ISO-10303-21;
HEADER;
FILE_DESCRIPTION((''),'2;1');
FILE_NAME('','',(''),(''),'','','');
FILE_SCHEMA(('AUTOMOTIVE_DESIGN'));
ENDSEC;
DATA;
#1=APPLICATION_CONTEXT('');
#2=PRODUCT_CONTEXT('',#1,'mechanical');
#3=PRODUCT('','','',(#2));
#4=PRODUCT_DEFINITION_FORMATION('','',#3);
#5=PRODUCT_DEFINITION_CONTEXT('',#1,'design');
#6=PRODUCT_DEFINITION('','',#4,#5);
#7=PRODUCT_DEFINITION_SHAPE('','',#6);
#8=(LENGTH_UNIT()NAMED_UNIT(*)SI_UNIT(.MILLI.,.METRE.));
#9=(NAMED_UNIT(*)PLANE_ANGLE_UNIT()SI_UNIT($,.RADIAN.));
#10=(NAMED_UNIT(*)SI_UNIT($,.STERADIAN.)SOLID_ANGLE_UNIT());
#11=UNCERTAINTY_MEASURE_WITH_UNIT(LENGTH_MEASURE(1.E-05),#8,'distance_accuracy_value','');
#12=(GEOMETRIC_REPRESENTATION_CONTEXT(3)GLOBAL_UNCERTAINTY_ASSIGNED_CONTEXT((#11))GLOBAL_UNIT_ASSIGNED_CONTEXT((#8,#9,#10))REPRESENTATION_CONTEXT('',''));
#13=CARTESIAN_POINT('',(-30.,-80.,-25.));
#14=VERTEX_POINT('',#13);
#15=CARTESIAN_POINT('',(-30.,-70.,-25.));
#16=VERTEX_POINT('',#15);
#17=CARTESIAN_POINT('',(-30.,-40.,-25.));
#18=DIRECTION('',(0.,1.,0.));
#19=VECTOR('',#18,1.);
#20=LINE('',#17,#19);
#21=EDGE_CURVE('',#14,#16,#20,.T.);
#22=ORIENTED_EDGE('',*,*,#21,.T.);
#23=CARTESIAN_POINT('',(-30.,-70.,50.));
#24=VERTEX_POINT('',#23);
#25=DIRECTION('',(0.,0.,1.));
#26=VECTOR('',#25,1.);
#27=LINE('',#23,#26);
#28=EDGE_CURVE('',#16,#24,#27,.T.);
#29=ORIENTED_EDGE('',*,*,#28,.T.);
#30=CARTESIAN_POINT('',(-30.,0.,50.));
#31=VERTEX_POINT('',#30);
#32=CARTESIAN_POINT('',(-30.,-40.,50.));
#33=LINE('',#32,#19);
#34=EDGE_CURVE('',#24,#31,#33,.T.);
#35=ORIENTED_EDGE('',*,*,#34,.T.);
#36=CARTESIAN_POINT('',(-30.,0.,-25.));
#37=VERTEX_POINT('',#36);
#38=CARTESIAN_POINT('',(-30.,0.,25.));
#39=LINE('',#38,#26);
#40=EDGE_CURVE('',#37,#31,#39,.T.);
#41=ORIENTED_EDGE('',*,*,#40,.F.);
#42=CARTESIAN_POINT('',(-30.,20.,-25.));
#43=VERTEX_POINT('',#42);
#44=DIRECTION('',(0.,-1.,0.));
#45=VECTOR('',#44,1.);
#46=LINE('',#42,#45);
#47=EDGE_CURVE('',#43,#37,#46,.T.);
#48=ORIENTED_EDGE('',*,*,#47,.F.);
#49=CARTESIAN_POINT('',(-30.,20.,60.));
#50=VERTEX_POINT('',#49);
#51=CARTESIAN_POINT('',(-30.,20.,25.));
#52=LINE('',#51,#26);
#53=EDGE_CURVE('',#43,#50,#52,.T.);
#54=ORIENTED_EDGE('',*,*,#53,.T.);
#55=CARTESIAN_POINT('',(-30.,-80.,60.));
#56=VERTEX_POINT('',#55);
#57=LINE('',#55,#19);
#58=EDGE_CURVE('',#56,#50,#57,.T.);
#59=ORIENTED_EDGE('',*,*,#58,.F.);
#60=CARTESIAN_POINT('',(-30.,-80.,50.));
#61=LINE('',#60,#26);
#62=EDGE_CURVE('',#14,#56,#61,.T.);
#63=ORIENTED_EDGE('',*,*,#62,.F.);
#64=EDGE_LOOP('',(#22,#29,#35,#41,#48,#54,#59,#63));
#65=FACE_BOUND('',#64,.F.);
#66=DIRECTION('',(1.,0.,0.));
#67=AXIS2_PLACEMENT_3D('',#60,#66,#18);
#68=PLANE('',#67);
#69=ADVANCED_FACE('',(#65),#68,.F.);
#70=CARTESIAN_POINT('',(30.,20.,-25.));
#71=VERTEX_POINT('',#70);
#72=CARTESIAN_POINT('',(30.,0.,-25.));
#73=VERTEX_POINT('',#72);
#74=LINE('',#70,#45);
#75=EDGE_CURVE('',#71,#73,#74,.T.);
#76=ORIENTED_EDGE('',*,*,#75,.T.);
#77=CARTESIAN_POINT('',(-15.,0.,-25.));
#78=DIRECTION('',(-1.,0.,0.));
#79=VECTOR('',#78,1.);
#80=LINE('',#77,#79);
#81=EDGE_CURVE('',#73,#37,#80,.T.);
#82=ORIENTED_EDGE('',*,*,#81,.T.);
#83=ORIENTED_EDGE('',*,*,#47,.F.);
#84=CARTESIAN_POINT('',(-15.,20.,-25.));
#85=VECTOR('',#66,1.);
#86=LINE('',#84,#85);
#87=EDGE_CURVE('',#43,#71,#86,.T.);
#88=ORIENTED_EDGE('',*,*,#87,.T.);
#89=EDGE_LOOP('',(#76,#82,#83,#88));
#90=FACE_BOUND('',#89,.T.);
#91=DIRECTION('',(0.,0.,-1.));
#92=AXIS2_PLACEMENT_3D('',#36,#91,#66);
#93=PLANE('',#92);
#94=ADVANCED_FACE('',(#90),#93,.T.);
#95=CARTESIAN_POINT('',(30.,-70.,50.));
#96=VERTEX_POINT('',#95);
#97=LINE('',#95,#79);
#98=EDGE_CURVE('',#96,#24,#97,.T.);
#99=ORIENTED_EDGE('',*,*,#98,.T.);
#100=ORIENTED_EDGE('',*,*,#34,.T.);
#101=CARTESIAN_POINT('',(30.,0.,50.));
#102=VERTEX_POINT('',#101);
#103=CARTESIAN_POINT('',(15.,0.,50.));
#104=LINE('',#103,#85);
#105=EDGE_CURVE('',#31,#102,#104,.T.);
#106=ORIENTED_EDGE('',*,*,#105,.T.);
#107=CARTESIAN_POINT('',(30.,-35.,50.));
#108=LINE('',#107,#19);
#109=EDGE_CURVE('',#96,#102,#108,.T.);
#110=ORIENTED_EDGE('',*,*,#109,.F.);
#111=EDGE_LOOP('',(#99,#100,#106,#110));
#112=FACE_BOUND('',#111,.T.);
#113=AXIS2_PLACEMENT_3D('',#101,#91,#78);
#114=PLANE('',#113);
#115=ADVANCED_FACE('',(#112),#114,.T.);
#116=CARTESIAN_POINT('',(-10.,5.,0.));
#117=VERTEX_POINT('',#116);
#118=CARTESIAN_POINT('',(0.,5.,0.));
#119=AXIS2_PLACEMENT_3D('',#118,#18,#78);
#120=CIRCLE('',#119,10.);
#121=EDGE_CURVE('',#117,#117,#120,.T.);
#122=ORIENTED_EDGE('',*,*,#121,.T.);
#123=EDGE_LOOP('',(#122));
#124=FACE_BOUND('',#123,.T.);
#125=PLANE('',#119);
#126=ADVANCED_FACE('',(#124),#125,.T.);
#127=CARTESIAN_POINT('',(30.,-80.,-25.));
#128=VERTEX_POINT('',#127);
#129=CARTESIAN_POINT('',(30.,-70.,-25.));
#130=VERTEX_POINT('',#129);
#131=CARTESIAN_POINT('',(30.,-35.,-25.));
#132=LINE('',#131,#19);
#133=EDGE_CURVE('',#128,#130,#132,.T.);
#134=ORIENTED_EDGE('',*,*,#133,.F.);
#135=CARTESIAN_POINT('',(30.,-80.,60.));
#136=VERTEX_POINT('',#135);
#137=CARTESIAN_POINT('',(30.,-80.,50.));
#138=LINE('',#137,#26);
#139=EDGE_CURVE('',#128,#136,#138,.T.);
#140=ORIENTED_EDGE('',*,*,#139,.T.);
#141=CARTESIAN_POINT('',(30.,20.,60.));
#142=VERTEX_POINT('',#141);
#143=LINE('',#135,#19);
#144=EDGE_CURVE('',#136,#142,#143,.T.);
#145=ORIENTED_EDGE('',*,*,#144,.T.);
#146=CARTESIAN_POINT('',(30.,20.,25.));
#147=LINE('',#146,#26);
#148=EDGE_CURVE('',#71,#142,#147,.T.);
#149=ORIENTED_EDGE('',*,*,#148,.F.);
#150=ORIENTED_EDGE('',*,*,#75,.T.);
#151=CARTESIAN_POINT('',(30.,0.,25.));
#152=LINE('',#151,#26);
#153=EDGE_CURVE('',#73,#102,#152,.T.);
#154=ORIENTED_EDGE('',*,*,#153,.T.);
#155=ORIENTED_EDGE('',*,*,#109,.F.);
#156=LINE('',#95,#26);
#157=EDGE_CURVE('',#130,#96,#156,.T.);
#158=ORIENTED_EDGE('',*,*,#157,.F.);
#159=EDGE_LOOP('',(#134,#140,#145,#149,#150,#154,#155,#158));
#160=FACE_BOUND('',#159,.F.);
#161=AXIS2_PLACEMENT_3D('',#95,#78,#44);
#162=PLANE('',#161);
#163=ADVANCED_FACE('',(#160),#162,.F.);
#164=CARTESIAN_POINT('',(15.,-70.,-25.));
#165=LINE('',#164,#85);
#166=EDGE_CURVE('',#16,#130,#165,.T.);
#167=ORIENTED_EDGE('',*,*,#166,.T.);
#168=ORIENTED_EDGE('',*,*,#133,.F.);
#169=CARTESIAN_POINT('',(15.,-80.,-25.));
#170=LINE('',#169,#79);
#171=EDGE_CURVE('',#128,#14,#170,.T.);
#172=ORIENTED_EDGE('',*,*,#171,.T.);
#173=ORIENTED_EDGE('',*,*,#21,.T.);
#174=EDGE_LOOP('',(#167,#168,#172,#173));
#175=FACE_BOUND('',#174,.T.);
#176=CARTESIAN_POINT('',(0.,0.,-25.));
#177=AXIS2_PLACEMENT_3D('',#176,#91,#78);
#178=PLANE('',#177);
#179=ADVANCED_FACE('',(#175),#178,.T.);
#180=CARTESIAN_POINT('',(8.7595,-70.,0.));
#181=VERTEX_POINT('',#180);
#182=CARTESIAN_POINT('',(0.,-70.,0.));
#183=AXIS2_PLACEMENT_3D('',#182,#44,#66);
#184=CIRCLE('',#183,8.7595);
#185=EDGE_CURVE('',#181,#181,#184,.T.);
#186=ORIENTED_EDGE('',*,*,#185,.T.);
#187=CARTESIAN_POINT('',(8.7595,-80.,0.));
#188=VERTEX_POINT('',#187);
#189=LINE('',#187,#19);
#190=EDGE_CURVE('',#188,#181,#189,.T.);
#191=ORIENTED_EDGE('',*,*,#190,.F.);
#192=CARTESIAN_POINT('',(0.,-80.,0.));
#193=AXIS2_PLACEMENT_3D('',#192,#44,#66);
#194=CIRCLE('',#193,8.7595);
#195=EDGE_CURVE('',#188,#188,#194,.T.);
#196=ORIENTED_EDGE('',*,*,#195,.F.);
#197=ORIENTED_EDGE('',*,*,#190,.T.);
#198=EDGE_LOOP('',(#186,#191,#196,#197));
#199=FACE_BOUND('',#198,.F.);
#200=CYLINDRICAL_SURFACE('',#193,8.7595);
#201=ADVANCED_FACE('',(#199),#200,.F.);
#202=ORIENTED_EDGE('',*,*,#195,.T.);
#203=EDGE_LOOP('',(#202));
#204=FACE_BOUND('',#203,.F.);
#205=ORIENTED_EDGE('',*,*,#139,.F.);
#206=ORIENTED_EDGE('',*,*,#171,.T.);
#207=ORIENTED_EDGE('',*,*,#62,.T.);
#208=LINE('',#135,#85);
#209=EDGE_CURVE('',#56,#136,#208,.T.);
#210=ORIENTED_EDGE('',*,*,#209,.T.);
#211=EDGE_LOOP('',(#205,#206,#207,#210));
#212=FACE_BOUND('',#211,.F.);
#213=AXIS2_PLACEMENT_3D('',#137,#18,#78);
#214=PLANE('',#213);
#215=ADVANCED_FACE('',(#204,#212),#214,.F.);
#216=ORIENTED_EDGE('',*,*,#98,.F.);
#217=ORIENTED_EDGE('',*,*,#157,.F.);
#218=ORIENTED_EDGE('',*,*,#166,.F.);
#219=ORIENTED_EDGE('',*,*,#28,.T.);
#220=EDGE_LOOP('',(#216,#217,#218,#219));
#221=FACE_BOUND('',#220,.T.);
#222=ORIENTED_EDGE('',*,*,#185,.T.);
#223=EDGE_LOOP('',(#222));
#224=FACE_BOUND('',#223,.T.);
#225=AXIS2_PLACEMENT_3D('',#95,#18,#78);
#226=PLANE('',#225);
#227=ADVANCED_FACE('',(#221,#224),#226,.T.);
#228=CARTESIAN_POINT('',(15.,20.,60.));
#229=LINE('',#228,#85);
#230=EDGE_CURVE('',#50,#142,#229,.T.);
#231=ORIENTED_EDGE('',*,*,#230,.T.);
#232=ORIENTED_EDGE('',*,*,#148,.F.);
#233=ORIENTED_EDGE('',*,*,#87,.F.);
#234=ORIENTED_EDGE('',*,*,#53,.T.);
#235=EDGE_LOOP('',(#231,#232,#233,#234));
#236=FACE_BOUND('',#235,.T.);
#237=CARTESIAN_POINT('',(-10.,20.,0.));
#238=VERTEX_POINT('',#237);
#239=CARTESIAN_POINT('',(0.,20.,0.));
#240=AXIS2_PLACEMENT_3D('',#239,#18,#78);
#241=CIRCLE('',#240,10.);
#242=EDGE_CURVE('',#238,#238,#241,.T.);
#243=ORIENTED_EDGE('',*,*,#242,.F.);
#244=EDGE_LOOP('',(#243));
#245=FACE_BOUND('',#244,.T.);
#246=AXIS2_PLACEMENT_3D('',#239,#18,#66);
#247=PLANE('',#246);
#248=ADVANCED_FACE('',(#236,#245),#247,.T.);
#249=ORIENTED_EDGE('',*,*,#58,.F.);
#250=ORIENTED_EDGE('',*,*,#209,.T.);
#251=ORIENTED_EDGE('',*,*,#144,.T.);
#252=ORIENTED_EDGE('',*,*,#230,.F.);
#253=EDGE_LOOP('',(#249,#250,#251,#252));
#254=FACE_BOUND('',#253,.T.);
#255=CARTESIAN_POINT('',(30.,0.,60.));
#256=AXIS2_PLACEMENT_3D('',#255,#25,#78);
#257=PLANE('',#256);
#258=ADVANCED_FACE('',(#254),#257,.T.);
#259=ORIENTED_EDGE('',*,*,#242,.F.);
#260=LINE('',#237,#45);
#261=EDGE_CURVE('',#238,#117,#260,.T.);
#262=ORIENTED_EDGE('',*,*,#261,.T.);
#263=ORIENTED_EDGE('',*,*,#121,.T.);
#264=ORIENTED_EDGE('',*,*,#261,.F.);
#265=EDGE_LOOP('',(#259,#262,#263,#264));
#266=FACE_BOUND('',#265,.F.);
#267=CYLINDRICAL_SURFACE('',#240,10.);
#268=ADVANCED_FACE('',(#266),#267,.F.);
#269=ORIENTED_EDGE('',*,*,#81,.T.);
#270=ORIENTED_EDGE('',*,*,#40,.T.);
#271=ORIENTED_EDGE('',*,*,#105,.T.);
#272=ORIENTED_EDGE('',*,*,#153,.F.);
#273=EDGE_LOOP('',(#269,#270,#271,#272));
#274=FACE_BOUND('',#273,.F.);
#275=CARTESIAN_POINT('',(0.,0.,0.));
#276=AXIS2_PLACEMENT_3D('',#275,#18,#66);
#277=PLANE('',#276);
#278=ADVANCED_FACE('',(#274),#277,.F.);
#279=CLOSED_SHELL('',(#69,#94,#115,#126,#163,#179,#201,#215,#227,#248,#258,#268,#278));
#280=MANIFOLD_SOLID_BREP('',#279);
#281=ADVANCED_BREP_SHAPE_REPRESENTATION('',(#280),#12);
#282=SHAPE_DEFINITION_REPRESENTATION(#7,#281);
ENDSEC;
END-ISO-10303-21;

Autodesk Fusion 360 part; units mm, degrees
sketch "草图1" plane through (0, 0, 0) normal (0, 1, 0) x (1, 0, 0) in component "Component"
  line L0 (-30, 25) -> (30, 25)
  line L1 (30, 25) -> (30, -60)
  line L2 (30, -60) -> (-30, -60)
  line L3 (-30, -60) -> (-30, 25)
  dimension "d1" = 60
  dimension "d2" = 85
  dimension "d3" = 25
  dimension "d4" = 30
extrude "拉伸1" add sketch "草图1" along normal blind 10 in component "Component"
sketch "草图2" plane through (0, 0, 0) normal (0, -1, 0) x (1, 0, 0) in component "Component"
  line L0 (30, 60) -> (-30, 60)
  line L1 (-30, 60) -> (-30, -25)
  line L2 (-30, -25) -> (30, -25)
  line L3 (30, -25) -> (30, 60)
  line L4 (-30, 60) -> (30, 60)
  line L5 (30, 60) -> (30, 50)
  line L6 (30, 50) -> (-30, 50)
  line L7 (-30, 50) -> (-30, 60)
  dimension "d8" = 10
extrude "拉伸2" add sketch "草图2" along normal blind 80 contours L0 L1 L3 L4 L5 L6 L7 in component "Component"
sketch "草图3" plane through (0, 0, 50) normal (0, 0, -1) x (-1, 0, 0) in component "Component"
  line L0 (30, 0) -> (-30, 0)
  line L1 (-30, 0) -> (-30, -80)
  line L2 (-30, -80) -> (30, -80)
  line L3 (30, -80) -> (30, 0)
  line L4 (-30, -70) -> (30, -70)
  line L5 (30, -70) -> (30, -80)
  line L6 (30, -80) -> (-30, -80)
  line L7 (-30, -80) -> (-30, -70)
  dimension "d11" = 10
extrude "拉伸3" add sketch "草图3" along normal blind 75 contours L1 L2 L3 L4 L5 L6 L7 in component "Component"
sketch "草图4" plane through (0, -80, 0) normal (0, -1, 0) x (1, 0, 0) in component "Component"
  line L0 (30, -25) -> (30, 60)
  line L1 (30, 60) -> (-30, 60)
  line L2 (-30, 60) -> (-30, -25)
  line L3 (-30, -25) -> (30, -25)
  circle A0 centre (0, 0) radius 10
  dimension "d14" = 20
extrude "拉伸4" cut sketch "草图4" against normal blind 10 contours A0 in component "Component"
thread "螺纹1" "ISO Metric profile 20.0 M20x2.5 6H" major diameter 20.2925 minor diameter 17.519 pitch 2.5 angle 60 resizes the face on face at (9.9876, -73.3333, -0.4985) in component "Component"
extrude "拉伸5" add 1 faces at (-10, 10, 3.3333) along direction (0, 1, 0) blind 10 in component "Component"
sketch "草图5" plane through (0, 20, 0) normal (0, 1, 0) x (-1, 0, 0) in component "Component"
  line L0 (30, 60) -> (-30, 60)
  line L1 (-30, 60) -> (-30, -25)
  line L2 (-30, -25) -> (30, -25)
  line L3 (30, -25) -> (30, 60)
  circle A0 centre (0, 0) radius 10
extrude "拉伸6" cut sketch "草图5" against normal blind 15 contours A0 in component "Component"
component "Component" placed x (1, 0, 0) y (0, 1, 0) z (0, 0, 1) at (0, 0, 0)
